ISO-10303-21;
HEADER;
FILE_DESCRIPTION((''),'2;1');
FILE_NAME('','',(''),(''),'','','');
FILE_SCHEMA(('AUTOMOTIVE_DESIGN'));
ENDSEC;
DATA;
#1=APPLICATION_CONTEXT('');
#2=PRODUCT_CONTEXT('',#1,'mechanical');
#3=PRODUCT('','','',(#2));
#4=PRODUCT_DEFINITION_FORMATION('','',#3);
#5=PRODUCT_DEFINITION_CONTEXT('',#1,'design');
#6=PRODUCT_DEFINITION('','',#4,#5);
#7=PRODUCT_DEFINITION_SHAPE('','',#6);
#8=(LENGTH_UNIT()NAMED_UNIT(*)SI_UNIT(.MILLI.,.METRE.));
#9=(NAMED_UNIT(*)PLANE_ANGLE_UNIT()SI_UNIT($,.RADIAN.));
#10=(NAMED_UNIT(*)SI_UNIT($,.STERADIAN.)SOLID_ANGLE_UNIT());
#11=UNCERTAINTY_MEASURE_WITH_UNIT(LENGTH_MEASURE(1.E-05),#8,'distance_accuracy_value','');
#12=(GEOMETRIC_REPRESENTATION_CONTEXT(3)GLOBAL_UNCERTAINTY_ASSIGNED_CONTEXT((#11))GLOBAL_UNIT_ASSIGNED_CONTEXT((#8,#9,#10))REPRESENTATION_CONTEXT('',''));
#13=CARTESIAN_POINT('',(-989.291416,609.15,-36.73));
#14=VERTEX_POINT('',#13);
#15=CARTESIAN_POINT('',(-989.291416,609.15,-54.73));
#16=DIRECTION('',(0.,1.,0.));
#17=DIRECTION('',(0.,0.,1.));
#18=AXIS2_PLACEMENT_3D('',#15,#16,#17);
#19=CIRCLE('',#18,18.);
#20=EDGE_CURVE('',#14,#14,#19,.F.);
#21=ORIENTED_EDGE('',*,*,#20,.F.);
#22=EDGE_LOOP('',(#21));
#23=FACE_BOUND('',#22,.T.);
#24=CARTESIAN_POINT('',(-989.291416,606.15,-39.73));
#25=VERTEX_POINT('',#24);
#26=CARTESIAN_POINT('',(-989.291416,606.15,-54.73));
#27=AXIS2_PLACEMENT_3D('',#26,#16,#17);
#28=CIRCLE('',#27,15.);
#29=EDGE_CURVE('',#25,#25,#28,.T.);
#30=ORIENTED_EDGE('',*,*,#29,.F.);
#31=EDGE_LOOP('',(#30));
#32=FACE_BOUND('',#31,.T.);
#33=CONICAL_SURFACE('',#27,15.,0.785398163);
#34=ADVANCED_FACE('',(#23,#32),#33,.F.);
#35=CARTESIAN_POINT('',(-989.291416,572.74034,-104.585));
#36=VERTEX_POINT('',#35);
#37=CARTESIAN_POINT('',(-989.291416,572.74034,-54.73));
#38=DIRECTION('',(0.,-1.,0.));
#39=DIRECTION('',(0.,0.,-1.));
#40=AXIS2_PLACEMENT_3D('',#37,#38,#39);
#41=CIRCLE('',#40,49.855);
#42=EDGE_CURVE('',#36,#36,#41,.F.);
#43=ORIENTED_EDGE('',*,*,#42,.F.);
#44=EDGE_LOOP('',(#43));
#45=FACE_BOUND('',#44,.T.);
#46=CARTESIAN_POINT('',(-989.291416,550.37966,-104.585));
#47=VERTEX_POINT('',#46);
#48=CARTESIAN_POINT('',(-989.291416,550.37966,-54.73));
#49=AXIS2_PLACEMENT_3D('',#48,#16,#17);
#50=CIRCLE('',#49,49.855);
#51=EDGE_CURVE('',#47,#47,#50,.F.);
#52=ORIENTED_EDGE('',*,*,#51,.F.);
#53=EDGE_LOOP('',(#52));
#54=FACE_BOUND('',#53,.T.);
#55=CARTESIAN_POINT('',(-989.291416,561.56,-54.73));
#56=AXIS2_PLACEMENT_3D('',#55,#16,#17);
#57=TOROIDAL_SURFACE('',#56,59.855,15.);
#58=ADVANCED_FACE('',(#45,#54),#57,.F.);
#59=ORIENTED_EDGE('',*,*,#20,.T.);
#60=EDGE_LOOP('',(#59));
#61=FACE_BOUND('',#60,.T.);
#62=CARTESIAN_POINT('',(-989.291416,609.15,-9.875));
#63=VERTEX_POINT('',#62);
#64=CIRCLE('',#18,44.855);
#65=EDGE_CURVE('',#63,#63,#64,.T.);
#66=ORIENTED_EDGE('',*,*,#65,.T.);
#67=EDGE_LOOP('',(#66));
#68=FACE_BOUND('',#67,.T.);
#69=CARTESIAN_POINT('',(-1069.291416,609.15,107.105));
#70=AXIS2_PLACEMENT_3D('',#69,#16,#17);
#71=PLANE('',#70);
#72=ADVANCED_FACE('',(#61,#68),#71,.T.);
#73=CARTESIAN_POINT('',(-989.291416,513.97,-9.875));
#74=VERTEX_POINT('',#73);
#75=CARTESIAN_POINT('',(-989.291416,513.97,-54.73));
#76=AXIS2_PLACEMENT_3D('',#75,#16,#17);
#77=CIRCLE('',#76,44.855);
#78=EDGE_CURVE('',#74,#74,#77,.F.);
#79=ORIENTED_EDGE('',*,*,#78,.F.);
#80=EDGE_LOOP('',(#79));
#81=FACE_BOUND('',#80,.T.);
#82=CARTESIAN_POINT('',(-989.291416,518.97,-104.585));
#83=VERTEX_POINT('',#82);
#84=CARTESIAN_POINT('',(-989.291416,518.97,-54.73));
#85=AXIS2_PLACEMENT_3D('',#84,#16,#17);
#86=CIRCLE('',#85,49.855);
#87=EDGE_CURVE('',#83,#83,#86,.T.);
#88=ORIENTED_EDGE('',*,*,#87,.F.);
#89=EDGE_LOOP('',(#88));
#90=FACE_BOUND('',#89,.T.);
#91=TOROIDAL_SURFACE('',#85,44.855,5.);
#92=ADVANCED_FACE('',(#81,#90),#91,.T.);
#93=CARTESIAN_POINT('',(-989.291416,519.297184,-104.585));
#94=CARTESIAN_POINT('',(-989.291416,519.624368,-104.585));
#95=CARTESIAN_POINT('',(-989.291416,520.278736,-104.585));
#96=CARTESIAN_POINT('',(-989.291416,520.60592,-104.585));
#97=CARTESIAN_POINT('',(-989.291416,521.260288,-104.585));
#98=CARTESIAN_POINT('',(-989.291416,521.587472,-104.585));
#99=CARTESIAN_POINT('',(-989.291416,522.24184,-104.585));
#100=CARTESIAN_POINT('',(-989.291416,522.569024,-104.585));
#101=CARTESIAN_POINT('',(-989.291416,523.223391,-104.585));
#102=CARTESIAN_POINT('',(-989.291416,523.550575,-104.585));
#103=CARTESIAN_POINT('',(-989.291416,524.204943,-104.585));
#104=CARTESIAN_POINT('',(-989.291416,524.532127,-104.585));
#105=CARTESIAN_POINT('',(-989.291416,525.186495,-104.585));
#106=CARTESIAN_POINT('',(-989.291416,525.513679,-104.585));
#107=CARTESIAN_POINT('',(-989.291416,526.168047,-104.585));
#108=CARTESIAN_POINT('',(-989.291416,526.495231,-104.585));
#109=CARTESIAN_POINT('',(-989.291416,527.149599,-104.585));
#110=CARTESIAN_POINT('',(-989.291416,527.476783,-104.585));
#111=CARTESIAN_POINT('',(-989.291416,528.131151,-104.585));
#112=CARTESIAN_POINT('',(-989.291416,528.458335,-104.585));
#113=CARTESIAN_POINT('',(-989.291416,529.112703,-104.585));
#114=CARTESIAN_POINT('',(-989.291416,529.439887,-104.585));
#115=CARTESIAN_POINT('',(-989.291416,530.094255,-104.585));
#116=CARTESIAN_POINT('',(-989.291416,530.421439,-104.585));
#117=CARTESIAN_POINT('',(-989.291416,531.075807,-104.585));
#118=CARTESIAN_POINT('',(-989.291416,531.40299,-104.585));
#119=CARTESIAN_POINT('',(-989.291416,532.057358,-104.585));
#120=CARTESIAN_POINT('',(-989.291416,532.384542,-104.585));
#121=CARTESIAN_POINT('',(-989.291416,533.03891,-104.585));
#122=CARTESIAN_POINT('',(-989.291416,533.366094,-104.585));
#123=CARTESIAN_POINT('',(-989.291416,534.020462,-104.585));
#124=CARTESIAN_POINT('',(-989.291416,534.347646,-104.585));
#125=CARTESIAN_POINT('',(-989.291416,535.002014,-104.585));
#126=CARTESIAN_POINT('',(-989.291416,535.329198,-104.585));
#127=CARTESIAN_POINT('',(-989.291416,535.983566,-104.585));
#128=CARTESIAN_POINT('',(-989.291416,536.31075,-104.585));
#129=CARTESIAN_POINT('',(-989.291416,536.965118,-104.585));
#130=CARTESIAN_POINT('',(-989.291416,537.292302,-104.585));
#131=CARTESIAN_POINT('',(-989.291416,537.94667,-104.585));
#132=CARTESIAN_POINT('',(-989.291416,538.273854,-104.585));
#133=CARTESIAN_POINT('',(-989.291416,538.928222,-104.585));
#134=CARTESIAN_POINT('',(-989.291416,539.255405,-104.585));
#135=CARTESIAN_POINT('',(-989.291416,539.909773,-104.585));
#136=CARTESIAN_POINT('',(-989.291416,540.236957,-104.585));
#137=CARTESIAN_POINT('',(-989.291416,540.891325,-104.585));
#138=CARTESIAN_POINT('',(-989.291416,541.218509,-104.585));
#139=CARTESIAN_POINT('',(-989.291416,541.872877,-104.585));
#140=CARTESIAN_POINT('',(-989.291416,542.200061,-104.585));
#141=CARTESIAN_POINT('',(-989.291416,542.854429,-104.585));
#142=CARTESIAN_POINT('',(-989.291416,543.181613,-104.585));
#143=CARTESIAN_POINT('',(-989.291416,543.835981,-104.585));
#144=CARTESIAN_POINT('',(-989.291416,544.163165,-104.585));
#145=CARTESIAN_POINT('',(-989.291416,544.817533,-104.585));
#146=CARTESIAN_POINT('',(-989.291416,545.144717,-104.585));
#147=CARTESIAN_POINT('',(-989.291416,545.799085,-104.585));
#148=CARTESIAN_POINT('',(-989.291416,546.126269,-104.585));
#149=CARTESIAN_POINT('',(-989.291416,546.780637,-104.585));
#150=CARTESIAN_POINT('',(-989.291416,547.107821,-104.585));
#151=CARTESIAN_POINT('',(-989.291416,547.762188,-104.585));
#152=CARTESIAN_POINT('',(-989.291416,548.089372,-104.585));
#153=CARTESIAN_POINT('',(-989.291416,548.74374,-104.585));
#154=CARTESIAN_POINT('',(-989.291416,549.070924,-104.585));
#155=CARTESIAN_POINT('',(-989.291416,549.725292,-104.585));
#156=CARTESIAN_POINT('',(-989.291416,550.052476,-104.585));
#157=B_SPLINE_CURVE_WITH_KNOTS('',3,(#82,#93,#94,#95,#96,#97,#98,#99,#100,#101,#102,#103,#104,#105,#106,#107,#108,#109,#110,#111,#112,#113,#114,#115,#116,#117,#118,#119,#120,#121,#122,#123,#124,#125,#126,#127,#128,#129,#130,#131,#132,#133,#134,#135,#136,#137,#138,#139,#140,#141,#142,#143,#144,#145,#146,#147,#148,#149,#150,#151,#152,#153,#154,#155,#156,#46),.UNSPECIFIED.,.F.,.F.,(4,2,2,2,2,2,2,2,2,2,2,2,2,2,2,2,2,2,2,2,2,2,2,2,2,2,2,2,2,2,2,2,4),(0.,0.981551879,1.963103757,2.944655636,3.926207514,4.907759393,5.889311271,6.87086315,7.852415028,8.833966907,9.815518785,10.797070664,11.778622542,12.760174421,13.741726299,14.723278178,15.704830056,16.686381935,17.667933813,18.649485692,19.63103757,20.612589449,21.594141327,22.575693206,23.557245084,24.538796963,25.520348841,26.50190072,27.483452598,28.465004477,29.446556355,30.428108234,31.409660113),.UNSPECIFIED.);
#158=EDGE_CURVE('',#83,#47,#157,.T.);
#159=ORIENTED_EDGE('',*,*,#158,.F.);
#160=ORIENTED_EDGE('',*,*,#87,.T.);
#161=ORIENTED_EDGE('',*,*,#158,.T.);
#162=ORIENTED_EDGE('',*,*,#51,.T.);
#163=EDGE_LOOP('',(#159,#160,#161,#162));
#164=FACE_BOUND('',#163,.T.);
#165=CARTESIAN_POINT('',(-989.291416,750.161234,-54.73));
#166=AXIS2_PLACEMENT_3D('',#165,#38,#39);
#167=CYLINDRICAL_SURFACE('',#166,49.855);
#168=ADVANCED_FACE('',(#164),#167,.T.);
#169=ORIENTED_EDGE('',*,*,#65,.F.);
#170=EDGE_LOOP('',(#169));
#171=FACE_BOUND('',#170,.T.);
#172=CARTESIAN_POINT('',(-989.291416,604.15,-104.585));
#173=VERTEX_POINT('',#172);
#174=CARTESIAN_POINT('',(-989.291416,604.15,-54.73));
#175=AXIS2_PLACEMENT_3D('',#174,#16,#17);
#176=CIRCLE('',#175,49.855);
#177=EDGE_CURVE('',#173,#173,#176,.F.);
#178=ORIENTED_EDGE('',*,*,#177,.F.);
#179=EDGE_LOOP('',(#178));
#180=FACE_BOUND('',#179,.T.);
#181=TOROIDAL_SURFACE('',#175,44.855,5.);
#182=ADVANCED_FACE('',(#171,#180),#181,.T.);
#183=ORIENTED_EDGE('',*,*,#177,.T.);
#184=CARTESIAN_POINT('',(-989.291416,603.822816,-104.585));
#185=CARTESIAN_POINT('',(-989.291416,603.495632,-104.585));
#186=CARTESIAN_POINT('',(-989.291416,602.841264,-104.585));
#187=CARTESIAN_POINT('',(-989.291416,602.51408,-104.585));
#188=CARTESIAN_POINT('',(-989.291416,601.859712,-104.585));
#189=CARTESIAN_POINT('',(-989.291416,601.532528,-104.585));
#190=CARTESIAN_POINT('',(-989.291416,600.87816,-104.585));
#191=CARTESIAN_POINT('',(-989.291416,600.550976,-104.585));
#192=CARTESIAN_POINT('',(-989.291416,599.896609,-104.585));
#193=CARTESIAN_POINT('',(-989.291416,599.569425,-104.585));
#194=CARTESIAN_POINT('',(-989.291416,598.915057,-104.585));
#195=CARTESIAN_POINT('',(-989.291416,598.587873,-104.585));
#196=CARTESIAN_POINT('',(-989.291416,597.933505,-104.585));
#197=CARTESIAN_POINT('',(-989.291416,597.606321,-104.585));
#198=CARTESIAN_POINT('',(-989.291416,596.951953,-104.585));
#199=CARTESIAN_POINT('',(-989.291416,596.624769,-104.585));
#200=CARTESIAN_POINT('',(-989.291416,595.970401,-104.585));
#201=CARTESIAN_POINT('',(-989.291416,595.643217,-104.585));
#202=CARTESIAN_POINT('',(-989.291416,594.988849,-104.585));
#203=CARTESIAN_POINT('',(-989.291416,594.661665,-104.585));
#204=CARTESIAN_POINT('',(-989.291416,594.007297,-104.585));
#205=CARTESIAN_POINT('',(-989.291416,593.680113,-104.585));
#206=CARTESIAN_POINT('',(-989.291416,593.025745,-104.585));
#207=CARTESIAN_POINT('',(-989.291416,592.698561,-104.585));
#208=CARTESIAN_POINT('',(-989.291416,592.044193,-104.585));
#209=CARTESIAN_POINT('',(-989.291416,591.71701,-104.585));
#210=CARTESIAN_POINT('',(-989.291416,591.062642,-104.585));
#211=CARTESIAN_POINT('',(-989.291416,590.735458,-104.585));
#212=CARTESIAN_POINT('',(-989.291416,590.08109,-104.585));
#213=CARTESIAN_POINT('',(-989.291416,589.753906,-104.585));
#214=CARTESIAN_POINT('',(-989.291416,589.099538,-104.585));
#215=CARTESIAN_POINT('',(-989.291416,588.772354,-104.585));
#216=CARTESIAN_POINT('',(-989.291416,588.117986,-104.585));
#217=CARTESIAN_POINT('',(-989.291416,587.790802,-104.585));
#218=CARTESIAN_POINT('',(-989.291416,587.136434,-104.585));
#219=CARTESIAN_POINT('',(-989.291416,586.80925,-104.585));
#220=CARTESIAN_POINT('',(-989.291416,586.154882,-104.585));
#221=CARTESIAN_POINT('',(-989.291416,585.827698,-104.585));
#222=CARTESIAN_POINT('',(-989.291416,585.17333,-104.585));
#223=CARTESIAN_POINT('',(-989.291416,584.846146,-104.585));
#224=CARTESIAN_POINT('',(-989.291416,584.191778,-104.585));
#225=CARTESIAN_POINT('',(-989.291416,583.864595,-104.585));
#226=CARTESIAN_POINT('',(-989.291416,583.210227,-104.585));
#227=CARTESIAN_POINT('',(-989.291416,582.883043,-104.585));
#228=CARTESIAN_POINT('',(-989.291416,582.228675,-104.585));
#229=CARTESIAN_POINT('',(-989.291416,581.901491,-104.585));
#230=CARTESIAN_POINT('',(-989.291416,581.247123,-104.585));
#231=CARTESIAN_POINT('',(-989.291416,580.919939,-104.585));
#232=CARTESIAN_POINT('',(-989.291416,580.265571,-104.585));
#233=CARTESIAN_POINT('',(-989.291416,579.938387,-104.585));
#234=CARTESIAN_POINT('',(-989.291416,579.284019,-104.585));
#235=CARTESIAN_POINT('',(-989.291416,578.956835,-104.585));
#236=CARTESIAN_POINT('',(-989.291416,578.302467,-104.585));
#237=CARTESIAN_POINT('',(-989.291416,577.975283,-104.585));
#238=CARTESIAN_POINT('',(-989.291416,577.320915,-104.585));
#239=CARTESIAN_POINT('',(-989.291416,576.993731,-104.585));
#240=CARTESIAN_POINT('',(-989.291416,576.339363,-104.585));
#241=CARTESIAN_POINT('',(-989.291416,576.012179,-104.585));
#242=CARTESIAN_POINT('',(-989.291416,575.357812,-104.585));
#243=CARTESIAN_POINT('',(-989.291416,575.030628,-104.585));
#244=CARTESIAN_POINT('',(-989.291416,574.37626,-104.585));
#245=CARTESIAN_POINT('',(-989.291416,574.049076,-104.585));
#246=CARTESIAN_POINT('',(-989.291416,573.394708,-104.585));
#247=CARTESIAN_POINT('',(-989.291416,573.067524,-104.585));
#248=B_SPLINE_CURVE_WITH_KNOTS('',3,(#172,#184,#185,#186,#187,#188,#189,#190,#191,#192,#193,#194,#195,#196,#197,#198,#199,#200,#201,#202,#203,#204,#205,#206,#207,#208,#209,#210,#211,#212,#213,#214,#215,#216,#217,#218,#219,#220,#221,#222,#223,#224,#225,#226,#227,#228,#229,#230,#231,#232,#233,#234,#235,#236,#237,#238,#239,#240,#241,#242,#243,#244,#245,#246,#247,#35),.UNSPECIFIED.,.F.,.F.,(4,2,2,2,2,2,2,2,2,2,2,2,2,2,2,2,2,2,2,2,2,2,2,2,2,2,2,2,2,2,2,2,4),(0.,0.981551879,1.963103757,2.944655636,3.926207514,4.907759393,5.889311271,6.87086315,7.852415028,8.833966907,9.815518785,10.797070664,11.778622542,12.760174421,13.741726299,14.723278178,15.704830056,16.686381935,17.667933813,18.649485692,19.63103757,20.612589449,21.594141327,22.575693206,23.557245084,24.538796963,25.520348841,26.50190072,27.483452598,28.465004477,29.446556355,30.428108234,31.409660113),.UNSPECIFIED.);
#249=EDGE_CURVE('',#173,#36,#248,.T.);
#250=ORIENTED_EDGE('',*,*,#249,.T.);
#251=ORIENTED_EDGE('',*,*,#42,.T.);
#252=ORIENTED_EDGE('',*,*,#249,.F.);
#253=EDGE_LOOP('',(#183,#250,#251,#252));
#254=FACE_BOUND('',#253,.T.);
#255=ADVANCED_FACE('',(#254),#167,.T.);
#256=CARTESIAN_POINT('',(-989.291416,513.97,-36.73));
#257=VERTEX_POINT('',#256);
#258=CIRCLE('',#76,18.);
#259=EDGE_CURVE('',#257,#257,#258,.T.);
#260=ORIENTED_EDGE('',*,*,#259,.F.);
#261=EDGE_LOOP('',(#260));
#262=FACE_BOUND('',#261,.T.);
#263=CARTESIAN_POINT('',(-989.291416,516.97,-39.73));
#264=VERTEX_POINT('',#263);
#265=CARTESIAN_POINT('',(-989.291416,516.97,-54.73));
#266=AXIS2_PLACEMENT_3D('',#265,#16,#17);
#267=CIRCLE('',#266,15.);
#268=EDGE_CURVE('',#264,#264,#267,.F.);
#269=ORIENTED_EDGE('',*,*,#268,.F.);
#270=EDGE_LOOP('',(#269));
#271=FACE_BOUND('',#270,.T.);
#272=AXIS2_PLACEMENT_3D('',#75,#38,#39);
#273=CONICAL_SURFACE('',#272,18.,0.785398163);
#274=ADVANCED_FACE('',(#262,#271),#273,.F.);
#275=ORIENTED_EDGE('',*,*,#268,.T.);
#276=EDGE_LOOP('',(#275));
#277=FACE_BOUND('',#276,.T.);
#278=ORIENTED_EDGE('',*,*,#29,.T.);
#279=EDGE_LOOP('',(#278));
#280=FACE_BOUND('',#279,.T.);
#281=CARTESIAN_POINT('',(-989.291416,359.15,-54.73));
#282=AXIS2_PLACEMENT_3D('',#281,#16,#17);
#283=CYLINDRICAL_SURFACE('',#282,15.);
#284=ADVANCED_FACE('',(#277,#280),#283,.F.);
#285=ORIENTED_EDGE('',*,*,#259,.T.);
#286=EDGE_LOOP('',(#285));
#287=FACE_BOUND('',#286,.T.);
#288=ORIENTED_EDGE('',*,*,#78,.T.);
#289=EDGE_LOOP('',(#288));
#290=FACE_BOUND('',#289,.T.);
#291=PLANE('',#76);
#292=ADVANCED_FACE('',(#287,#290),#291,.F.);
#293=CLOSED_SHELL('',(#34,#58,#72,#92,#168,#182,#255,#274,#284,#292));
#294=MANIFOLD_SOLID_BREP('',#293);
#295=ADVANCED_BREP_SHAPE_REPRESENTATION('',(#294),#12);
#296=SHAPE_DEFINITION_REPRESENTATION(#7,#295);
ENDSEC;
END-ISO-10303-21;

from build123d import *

# Parameters (mm, degrees)
SKETCH_1_R          = 49.855
EXTRUDE_1_DEPTH     = 95.18
SKETCH_3_R          = 15
SKETCH_4_R          = 15
CUT_EXTRUDE_1_DEPTH = 250
CHAMFER_1_SIZE      = 3
FILLET_1_R          = 5


with BuildPart() as part:
    # 草图1 → 凸台-拉伸1 (new body)
    with BuildSketch(Plane(origin=(0, 513.97, 0), x_dir=(1, 0, 0), z_dir=(0, 1, 0))):
        with Locations(Location((-989.291415846, 54.73, 0), (0, 0, 90))):
            Circle(SKETCH_1_R)
    extrude(amount=EXTRUDE_1_DEPTH)

    # 草图3 → 切除-旋转1 (revolve, cut)
    with BuildSketch(Plane.XY.offset(-54.73), mode=Mode.PRIVATE) as cut_revolve_1_sk:
        with Locations((-1049.146415846, 561.56)):
            Circle(SKETCH_3_R)
    revolve(cut_revolve_1_sk.sketch.rotate(Axis((-989.291415846, 609.15, -54.73), (0, -1, 0)), 90), axis=Axis((-989.291415846, 609.15, -54.73), (0, -1, 0)), mode=Mode.SUBTRACT)

    # 草图4 → 切除-拉伸1 (cut, symmetric)
    with BuildSketch(Plane(origin=(0, 609.15, 0), x_dir=(1, 0, 0), z_dir=(0, 1, 0))):
        with Locations(Location((-989.291415846, 54.73, 0), (0, 0, 270))):
            Circle(SKETCH_4_R)
    extrude(amount=CUT_EXTRUDE_1_DEPTH, both=True, mode=Mode.SUBTRACT)

    # 倒角1
    chamfer_1_edges = [part.edges().sort_by_distance(p)[0] for p in [
        (-989.291415846, 609.15, -69.73),
        (-989.291415846, 513.97, -69.73),
    ]]
    chamfer(chamfer_1_edges, length=CHAMFER_1_SIZE)

    # 圆角1
    fillet_1_edges = [part.edges().sort_by_distance(p)[0] for p in [
        (-989.291415846, 513.97, -4.875),
        (-989.291415846, 609.15, -4.875),
    ]]
    fillet(fillet_1_edges, radius=FILLET_1_R)


solid = part.part
